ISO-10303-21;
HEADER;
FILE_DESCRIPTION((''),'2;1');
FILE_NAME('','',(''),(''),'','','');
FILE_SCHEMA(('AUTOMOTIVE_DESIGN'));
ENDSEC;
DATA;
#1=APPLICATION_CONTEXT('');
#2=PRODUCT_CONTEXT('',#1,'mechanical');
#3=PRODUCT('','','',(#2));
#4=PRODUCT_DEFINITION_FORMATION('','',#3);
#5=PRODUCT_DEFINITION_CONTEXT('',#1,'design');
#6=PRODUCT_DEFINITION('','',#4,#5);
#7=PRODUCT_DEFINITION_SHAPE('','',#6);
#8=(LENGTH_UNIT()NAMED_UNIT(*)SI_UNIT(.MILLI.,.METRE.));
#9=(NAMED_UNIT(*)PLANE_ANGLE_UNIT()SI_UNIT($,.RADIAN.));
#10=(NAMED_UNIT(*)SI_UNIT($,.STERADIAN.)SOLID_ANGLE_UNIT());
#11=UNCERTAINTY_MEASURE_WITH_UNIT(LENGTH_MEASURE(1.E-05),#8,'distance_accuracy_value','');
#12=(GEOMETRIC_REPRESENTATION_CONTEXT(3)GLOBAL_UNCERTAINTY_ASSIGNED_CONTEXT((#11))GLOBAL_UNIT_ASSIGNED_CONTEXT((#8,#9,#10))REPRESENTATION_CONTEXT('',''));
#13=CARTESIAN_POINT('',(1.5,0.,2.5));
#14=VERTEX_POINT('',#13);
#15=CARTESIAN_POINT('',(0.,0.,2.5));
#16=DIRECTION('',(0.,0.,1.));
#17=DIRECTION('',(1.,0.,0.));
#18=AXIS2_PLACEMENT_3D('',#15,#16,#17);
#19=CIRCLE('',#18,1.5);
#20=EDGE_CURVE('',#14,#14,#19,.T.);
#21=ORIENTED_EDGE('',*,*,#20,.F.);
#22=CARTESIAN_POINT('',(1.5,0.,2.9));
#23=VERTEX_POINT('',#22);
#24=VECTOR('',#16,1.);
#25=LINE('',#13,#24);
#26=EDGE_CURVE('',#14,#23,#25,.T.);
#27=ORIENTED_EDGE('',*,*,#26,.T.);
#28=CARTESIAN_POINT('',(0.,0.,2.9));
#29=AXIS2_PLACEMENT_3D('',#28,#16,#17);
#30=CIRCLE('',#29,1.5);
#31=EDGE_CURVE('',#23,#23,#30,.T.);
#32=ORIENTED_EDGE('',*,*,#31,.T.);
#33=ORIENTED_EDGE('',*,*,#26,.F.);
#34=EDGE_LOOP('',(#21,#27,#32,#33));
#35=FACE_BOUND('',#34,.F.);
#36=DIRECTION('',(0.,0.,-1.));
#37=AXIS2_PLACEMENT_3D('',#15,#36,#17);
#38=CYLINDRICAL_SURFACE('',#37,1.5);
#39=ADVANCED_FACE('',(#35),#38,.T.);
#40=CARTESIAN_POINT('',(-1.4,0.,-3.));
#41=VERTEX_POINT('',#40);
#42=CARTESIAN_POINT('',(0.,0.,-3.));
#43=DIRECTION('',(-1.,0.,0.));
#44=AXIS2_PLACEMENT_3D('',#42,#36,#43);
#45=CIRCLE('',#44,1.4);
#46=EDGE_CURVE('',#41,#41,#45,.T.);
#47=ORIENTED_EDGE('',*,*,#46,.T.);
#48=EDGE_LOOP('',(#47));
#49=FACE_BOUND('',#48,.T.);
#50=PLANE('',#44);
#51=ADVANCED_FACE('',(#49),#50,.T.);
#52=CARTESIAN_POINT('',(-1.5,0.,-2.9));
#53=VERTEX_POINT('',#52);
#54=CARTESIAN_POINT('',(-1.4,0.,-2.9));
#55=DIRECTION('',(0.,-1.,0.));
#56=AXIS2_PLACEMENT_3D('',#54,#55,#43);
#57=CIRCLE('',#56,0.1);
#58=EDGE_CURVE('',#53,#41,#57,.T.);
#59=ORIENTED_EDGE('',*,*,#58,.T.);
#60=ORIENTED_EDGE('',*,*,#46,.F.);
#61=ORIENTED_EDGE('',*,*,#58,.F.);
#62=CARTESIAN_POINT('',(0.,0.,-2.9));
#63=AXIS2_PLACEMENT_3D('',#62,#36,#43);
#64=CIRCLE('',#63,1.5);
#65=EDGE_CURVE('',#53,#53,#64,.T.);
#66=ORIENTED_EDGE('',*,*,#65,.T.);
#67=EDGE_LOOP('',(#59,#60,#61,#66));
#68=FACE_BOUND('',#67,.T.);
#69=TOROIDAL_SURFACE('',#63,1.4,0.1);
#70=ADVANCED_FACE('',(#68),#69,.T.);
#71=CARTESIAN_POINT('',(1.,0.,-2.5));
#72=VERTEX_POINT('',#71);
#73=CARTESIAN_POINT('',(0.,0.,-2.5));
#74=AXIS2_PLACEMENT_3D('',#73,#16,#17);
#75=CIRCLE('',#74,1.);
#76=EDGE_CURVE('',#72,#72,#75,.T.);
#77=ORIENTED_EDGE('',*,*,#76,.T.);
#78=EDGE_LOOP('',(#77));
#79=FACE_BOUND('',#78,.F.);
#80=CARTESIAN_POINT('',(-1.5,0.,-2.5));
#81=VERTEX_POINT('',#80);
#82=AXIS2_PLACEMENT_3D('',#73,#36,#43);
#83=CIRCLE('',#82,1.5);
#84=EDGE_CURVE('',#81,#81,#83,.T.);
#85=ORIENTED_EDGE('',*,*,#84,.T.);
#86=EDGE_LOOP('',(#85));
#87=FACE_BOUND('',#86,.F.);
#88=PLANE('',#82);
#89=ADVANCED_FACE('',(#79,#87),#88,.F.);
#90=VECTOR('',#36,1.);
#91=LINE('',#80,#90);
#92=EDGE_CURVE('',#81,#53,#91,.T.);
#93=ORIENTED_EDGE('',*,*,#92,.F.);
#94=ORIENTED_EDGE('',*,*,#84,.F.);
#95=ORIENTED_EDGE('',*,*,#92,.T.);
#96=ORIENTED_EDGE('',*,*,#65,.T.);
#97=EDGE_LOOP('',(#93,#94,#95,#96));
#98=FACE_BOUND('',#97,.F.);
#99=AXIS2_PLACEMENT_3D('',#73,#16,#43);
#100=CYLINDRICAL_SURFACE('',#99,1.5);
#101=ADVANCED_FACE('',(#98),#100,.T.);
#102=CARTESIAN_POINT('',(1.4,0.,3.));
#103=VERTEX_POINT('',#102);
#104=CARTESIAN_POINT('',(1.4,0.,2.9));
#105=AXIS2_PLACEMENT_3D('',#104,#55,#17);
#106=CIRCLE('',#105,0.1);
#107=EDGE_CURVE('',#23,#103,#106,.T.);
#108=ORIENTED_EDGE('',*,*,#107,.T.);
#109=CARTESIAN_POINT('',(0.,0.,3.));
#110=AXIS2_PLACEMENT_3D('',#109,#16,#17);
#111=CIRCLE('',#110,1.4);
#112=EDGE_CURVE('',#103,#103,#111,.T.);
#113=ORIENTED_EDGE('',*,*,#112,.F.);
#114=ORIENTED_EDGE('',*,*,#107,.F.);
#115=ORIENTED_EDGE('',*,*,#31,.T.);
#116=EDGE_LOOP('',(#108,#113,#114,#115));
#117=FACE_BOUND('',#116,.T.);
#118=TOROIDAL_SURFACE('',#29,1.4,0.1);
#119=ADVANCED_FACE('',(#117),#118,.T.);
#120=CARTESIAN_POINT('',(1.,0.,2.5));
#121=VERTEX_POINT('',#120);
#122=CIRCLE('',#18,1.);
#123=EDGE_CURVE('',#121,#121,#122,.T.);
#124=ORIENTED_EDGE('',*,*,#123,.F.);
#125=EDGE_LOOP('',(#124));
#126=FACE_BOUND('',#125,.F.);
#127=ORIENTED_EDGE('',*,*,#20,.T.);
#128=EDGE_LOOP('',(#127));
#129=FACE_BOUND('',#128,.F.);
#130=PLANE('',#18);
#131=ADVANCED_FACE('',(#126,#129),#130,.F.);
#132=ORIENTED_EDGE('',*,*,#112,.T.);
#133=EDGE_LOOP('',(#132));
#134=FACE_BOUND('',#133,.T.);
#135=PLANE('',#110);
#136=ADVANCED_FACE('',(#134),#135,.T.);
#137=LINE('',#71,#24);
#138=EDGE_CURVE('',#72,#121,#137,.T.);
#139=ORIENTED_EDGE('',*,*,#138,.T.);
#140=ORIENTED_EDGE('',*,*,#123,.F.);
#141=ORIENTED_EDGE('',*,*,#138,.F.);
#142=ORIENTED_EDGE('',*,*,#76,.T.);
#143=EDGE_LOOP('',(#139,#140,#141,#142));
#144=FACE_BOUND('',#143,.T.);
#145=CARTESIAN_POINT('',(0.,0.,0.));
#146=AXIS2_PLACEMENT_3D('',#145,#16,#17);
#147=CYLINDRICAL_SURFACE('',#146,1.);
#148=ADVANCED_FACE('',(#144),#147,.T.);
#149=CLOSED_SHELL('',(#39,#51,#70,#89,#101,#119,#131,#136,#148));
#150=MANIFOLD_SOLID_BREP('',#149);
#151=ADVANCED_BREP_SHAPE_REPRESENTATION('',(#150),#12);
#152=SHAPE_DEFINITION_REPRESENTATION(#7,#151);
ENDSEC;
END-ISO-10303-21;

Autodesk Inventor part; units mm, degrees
ref_plane "YZ Plane" through (0, 0, 0) normal (1, 0, 0) x (0, 1, 0)
sketch "Sketch1" plane through (0, 0, 0) normal (0, 0, 1) x (1, 0, 0)
  circle A0 centre (0, 0) radius 1
  dimension "d0" = 2
extrude "Extrusion1" add sketch "Sketch1" along normal mid plane 5
ref_plane "Work Plane1" through (0, 0, 2.5) normal (0, 0, 1) x (1, 0, 0)
ref_plane "Work Plane2" through (0, 0, -2.5) normal (0, 0, -1) x (-1, 0, 0)
sketch "Sketch2" plane through (0, 0, 2.5) normal (0, 0, 1) x (1, 0, 0)
  circle A0 centre (0, 0) radius 1.5
  dimension "d5" = 3
extrude "Extrusion2" add sketch "Sketch2" along normal blind 0.5
sketch "Sketch3" plane through (0, 0, -2.5) normal (0, 0, -1) x (-1, 0, 0)
  circle A0 centre (0, 0) radius 1 projected
  circle A1 centre (0, 0) radius 1.5
  dimension "d8" = 3
extrude "Extrusion3" add sketch "Sketch3" along normal blind 0.5 contours A0 | A1
fillet "Fillet1" radius 0.1 2 edges at (-1.5, 0, 3) (1.5, 0, -3)
properties part number "New_ThinAxle1"
